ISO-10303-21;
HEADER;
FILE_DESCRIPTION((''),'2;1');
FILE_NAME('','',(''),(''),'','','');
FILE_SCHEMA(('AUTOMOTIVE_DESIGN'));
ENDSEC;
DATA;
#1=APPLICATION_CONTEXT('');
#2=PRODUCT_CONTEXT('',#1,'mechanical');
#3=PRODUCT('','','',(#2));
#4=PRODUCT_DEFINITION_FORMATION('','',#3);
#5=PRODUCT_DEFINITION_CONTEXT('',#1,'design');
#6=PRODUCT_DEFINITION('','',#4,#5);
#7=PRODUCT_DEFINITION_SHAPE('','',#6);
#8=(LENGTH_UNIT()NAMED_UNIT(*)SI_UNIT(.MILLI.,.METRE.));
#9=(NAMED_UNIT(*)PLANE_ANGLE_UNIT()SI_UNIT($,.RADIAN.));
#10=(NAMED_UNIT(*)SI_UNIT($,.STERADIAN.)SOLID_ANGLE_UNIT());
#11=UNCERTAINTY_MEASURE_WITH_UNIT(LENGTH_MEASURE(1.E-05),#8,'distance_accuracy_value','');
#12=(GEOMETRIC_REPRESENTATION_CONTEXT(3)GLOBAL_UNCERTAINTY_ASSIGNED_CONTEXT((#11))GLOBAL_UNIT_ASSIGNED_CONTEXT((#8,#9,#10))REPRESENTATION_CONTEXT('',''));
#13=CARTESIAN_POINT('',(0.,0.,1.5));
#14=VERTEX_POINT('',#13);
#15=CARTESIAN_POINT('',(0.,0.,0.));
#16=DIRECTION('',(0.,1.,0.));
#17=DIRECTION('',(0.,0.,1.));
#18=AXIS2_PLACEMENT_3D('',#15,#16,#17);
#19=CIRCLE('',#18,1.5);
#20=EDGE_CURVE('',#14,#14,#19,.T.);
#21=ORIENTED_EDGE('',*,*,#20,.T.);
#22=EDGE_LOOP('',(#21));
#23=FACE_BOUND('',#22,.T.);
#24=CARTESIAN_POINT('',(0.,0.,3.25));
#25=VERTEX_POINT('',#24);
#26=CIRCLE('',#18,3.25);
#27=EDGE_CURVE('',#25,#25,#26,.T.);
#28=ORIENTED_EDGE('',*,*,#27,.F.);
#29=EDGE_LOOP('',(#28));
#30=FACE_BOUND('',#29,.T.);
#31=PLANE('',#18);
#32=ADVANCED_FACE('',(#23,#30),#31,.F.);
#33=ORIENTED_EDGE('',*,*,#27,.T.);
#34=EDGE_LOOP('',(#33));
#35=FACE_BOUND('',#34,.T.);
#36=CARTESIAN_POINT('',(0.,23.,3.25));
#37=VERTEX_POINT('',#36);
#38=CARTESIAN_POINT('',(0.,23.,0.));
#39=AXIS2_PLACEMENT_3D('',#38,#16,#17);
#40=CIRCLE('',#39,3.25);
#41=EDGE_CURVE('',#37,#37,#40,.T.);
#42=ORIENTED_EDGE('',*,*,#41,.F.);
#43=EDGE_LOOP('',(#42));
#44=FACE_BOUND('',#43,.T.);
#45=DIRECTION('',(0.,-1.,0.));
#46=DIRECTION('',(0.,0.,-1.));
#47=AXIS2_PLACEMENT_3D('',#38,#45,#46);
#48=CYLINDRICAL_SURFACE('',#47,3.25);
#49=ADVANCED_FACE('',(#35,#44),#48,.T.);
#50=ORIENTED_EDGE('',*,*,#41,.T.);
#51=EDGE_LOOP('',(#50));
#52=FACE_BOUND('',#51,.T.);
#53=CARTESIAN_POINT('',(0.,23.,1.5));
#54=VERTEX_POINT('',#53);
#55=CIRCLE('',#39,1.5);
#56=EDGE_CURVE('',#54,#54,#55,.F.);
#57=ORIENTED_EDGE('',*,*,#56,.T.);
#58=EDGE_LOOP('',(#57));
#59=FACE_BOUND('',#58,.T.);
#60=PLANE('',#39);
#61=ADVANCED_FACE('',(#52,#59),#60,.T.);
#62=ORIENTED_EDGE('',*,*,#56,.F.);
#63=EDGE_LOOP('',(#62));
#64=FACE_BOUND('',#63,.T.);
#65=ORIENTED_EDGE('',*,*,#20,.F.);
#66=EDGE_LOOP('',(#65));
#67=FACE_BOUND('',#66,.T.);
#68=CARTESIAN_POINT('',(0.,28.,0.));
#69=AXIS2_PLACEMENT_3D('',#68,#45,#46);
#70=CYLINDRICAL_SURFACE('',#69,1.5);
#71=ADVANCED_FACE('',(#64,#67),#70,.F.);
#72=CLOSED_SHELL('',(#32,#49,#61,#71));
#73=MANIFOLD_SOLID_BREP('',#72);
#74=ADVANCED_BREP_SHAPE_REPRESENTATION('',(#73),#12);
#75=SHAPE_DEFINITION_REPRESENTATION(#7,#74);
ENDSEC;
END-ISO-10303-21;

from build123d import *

# Parameters (mm, degrees)
ESQUISSE2_R             = 3.25
BOSS_EXTRU_1_DEPTH      = 23
ESQUISSE1_R             = 1.5
ENL_V_MAT_EXTRU_1_DEPTH = 28


with BuildPart() as part:
    # Esquisse2 → Boss.-Extru.1 (new body)
    with BuildSketch(Plane(origin=(0, 0, 0), x_dir=(1, 0, 0), z_dir=(0, 1, 0))):
        with Locations(Location((0, 0, 0), (0, 0, 270))):
            Circle(ESQUISSE2_R)
    extrude(amount=BOSS_EXTRU_1_DEPTH)

    # Esquisse1 → Enlèv. mat.-Extru.1 (cut)
    with BuildSketch(Plane(origin=(0, 0, 0), x_dir=(1, 0, 0), z_dir=(0, 1, 0))):
        with Locations(Location((0, 0, 0), (0, 0, 270))):
            Circle(ESQUISSE1_R)
    extrude(amount=ENL_V_MAT_EXTRU_1_DEPTH, mode=Mode.SUBTRACT)


solid = part.part
